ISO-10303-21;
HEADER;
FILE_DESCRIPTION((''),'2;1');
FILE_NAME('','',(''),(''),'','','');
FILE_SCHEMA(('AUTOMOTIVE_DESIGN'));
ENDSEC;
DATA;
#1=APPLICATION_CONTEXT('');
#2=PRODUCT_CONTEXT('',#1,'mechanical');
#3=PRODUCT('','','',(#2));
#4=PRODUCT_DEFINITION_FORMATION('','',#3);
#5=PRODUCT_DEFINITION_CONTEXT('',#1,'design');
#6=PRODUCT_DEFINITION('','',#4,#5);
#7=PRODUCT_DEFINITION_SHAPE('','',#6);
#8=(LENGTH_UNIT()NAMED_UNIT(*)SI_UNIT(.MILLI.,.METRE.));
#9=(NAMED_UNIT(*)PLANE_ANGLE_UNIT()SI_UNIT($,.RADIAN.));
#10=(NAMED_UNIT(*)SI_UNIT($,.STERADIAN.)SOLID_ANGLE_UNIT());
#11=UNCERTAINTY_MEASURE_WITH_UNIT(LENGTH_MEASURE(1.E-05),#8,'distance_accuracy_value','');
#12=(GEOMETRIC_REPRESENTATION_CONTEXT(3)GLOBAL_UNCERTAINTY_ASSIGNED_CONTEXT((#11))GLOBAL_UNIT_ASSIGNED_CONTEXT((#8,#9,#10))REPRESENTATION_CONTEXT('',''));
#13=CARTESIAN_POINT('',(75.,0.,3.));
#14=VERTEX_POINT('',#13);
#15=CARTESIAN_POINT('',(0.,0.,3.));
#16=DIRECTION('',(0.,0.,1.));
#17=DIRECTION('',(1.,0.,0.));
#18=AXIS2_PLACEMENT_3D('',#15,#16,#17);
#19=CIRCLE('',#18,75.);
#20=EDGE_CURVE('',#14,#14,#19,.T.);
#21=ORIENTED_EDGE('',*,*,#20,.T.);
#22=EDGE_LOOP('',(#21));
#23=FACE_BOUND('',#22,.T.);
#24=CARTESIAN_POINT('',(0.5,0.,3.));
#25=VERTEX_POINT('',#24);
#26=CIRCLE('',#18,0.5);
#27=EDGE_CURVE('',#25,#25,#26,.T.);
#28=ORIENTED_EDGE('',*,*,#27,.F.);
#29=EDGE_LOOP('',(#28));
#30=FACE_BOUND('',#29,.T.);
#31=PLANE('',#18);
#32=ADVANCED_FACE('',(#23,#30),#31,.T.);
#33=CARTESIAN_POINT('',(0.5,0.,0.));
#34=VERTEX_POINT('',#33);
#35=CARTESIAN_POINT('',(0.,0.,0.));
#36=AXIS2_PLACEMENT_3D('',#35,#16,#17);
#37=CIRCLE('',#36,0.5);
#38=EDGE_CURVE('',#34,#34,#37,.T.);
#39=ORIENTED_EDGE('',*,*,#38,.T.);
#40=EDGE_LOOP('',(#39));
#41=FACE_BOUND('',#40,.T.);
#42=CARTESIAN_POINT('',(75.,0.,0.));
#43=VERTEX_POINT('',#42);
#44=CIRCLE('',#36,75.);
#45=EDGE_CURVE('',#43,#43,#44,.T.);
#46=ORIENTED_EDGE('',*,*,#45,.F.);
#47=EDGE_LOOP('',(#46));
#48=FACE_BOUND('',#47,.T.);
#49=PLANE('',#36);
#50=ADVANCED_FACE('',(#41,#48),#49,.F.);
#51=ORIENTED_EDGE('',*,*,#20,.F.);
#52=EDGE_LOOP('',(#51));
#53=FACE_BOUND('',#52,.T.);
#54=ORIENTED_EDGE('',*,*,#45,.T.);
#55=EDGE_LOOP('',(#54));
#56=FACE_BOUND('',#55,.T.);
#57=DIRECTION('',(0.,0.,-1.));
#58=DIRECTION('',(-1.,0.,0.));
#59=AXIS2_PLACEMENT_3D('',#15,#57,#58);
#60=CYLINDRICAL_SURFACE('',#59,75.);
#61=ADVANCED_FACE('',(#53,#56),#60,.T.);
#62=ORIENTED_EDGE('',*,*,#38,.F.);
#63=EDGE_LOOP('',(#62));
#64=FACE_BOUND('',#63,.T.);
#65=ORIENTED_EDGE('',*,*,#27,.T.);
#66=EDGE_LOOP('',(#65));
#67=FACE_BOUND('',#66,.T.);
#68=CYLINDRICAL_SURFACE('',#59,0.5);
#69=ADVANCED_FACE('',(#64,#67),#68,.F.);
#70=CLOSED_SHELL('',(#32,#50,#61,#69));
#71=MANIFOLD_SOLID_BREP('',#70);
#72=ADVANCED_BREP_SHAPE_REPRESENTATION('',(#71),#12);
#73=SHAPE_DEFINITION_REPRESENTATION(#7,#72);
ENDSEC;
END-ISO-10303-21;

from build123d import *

# Parameters (mm, degrees)
CROQUIS1_R              = 75
CROQUIS1_R_2            = 0.5
SALIENTE_EXTRUIR1_DEPTH = 3


with BuildPart() as part:
    # Croquis1 → Saliente-Extruir1 (new body)
    with BuildSketch(Plane.XY):
        Circle(CROQUIS1_R)
        Circle(CROQUIS1_R_2, mode=Mode.SUBTRACT)
    extrude(amount=SALIENTE_EXTRUIR1_DEPTH)


solid = part.part
